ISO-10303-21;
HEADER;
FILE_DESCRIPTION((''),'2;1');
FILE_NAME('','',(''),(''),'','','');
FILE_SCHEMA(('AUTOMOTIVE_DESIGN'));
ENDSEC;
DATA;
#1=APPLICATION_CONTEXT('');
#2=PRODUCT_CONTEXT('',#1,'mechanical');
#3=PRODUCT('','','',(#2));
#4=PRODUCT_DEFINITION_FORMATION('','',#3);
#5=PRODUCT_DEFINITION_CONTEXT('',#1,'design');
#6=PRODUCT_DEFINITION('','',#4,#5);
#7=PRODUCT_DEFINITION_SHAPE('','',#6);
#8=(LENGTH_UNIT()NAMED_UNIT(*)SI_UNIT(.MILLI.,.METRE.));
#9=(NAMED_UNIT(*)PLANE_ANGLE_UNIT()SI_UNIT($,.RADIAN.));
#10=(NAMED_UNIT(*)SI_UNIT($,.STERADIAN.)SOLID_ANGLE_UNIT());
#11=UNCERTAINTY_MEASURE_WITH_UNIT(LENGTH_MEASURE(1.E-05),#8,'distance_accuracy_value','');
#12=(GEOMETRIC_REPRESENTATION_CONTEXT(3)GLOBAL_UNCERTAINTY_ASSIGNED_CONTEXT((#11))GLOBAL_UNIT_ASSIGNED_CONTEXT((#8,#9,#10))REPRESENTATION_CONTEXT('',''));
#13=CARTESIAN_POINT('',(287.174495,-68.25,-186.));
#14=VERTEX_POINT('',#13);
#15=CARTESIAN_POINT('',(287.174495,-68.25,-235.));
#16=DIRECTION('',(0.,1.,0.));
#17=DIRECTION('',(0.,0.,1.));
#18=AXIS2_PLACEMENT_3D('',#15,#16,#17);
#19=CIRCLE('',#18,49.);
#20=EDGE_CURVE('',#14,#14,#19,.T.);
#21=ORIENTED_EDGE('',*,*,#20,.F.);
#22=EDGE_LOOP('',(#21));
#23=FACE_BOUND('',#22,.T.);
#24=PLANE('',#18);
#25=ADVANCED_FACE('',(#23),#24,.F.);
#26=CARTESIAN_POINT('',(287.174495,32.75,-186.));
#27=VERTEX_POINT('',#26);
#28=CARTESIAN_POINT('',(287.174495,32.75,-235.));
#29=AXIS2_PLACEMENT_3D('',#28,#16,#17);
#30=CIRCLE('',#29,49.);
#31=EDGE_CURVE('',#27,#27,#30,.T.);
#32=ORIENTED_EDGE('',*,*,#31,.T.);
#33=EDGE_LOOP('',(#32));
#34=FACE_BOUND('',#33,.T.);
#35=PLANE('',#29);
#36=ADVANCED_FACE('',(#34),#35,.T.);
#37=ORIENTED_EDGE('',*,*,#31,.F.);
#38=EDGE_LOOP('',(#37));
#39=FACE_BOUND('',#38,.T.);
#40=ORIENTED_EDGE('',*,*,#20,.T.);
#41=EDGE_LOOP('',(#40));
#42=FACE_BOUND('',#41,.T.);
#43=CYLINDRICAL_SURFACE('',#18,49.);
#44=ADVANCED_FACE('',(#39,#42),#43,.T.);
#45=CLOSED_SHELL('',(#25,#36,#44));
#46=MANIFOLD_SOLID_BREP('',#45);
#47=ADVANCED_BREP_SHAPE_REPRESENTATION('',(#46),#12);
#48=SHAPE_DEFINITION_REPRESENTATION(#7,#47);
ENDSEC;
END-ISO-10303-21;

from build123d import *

# Parameters (mm, degrees)
SKETCH1_R           = 49
BOSS_EXTRUDE1_DEPTH = 101


with BuildPart() as part:
    # Sketch1 → Boss-Extrude1 (new body)
    with BuildSketch(Plane(origin=(0, 32.75, 0), x_dir=(1, 0, 0), z_dir=(0, 1, 0))):
        with Locations((287.174494692, 235)):
            Circle(SKETCH1_R)
    extrude(amount=-BOSS_EXTRUDE1_DEPTH)


solid = part.part
